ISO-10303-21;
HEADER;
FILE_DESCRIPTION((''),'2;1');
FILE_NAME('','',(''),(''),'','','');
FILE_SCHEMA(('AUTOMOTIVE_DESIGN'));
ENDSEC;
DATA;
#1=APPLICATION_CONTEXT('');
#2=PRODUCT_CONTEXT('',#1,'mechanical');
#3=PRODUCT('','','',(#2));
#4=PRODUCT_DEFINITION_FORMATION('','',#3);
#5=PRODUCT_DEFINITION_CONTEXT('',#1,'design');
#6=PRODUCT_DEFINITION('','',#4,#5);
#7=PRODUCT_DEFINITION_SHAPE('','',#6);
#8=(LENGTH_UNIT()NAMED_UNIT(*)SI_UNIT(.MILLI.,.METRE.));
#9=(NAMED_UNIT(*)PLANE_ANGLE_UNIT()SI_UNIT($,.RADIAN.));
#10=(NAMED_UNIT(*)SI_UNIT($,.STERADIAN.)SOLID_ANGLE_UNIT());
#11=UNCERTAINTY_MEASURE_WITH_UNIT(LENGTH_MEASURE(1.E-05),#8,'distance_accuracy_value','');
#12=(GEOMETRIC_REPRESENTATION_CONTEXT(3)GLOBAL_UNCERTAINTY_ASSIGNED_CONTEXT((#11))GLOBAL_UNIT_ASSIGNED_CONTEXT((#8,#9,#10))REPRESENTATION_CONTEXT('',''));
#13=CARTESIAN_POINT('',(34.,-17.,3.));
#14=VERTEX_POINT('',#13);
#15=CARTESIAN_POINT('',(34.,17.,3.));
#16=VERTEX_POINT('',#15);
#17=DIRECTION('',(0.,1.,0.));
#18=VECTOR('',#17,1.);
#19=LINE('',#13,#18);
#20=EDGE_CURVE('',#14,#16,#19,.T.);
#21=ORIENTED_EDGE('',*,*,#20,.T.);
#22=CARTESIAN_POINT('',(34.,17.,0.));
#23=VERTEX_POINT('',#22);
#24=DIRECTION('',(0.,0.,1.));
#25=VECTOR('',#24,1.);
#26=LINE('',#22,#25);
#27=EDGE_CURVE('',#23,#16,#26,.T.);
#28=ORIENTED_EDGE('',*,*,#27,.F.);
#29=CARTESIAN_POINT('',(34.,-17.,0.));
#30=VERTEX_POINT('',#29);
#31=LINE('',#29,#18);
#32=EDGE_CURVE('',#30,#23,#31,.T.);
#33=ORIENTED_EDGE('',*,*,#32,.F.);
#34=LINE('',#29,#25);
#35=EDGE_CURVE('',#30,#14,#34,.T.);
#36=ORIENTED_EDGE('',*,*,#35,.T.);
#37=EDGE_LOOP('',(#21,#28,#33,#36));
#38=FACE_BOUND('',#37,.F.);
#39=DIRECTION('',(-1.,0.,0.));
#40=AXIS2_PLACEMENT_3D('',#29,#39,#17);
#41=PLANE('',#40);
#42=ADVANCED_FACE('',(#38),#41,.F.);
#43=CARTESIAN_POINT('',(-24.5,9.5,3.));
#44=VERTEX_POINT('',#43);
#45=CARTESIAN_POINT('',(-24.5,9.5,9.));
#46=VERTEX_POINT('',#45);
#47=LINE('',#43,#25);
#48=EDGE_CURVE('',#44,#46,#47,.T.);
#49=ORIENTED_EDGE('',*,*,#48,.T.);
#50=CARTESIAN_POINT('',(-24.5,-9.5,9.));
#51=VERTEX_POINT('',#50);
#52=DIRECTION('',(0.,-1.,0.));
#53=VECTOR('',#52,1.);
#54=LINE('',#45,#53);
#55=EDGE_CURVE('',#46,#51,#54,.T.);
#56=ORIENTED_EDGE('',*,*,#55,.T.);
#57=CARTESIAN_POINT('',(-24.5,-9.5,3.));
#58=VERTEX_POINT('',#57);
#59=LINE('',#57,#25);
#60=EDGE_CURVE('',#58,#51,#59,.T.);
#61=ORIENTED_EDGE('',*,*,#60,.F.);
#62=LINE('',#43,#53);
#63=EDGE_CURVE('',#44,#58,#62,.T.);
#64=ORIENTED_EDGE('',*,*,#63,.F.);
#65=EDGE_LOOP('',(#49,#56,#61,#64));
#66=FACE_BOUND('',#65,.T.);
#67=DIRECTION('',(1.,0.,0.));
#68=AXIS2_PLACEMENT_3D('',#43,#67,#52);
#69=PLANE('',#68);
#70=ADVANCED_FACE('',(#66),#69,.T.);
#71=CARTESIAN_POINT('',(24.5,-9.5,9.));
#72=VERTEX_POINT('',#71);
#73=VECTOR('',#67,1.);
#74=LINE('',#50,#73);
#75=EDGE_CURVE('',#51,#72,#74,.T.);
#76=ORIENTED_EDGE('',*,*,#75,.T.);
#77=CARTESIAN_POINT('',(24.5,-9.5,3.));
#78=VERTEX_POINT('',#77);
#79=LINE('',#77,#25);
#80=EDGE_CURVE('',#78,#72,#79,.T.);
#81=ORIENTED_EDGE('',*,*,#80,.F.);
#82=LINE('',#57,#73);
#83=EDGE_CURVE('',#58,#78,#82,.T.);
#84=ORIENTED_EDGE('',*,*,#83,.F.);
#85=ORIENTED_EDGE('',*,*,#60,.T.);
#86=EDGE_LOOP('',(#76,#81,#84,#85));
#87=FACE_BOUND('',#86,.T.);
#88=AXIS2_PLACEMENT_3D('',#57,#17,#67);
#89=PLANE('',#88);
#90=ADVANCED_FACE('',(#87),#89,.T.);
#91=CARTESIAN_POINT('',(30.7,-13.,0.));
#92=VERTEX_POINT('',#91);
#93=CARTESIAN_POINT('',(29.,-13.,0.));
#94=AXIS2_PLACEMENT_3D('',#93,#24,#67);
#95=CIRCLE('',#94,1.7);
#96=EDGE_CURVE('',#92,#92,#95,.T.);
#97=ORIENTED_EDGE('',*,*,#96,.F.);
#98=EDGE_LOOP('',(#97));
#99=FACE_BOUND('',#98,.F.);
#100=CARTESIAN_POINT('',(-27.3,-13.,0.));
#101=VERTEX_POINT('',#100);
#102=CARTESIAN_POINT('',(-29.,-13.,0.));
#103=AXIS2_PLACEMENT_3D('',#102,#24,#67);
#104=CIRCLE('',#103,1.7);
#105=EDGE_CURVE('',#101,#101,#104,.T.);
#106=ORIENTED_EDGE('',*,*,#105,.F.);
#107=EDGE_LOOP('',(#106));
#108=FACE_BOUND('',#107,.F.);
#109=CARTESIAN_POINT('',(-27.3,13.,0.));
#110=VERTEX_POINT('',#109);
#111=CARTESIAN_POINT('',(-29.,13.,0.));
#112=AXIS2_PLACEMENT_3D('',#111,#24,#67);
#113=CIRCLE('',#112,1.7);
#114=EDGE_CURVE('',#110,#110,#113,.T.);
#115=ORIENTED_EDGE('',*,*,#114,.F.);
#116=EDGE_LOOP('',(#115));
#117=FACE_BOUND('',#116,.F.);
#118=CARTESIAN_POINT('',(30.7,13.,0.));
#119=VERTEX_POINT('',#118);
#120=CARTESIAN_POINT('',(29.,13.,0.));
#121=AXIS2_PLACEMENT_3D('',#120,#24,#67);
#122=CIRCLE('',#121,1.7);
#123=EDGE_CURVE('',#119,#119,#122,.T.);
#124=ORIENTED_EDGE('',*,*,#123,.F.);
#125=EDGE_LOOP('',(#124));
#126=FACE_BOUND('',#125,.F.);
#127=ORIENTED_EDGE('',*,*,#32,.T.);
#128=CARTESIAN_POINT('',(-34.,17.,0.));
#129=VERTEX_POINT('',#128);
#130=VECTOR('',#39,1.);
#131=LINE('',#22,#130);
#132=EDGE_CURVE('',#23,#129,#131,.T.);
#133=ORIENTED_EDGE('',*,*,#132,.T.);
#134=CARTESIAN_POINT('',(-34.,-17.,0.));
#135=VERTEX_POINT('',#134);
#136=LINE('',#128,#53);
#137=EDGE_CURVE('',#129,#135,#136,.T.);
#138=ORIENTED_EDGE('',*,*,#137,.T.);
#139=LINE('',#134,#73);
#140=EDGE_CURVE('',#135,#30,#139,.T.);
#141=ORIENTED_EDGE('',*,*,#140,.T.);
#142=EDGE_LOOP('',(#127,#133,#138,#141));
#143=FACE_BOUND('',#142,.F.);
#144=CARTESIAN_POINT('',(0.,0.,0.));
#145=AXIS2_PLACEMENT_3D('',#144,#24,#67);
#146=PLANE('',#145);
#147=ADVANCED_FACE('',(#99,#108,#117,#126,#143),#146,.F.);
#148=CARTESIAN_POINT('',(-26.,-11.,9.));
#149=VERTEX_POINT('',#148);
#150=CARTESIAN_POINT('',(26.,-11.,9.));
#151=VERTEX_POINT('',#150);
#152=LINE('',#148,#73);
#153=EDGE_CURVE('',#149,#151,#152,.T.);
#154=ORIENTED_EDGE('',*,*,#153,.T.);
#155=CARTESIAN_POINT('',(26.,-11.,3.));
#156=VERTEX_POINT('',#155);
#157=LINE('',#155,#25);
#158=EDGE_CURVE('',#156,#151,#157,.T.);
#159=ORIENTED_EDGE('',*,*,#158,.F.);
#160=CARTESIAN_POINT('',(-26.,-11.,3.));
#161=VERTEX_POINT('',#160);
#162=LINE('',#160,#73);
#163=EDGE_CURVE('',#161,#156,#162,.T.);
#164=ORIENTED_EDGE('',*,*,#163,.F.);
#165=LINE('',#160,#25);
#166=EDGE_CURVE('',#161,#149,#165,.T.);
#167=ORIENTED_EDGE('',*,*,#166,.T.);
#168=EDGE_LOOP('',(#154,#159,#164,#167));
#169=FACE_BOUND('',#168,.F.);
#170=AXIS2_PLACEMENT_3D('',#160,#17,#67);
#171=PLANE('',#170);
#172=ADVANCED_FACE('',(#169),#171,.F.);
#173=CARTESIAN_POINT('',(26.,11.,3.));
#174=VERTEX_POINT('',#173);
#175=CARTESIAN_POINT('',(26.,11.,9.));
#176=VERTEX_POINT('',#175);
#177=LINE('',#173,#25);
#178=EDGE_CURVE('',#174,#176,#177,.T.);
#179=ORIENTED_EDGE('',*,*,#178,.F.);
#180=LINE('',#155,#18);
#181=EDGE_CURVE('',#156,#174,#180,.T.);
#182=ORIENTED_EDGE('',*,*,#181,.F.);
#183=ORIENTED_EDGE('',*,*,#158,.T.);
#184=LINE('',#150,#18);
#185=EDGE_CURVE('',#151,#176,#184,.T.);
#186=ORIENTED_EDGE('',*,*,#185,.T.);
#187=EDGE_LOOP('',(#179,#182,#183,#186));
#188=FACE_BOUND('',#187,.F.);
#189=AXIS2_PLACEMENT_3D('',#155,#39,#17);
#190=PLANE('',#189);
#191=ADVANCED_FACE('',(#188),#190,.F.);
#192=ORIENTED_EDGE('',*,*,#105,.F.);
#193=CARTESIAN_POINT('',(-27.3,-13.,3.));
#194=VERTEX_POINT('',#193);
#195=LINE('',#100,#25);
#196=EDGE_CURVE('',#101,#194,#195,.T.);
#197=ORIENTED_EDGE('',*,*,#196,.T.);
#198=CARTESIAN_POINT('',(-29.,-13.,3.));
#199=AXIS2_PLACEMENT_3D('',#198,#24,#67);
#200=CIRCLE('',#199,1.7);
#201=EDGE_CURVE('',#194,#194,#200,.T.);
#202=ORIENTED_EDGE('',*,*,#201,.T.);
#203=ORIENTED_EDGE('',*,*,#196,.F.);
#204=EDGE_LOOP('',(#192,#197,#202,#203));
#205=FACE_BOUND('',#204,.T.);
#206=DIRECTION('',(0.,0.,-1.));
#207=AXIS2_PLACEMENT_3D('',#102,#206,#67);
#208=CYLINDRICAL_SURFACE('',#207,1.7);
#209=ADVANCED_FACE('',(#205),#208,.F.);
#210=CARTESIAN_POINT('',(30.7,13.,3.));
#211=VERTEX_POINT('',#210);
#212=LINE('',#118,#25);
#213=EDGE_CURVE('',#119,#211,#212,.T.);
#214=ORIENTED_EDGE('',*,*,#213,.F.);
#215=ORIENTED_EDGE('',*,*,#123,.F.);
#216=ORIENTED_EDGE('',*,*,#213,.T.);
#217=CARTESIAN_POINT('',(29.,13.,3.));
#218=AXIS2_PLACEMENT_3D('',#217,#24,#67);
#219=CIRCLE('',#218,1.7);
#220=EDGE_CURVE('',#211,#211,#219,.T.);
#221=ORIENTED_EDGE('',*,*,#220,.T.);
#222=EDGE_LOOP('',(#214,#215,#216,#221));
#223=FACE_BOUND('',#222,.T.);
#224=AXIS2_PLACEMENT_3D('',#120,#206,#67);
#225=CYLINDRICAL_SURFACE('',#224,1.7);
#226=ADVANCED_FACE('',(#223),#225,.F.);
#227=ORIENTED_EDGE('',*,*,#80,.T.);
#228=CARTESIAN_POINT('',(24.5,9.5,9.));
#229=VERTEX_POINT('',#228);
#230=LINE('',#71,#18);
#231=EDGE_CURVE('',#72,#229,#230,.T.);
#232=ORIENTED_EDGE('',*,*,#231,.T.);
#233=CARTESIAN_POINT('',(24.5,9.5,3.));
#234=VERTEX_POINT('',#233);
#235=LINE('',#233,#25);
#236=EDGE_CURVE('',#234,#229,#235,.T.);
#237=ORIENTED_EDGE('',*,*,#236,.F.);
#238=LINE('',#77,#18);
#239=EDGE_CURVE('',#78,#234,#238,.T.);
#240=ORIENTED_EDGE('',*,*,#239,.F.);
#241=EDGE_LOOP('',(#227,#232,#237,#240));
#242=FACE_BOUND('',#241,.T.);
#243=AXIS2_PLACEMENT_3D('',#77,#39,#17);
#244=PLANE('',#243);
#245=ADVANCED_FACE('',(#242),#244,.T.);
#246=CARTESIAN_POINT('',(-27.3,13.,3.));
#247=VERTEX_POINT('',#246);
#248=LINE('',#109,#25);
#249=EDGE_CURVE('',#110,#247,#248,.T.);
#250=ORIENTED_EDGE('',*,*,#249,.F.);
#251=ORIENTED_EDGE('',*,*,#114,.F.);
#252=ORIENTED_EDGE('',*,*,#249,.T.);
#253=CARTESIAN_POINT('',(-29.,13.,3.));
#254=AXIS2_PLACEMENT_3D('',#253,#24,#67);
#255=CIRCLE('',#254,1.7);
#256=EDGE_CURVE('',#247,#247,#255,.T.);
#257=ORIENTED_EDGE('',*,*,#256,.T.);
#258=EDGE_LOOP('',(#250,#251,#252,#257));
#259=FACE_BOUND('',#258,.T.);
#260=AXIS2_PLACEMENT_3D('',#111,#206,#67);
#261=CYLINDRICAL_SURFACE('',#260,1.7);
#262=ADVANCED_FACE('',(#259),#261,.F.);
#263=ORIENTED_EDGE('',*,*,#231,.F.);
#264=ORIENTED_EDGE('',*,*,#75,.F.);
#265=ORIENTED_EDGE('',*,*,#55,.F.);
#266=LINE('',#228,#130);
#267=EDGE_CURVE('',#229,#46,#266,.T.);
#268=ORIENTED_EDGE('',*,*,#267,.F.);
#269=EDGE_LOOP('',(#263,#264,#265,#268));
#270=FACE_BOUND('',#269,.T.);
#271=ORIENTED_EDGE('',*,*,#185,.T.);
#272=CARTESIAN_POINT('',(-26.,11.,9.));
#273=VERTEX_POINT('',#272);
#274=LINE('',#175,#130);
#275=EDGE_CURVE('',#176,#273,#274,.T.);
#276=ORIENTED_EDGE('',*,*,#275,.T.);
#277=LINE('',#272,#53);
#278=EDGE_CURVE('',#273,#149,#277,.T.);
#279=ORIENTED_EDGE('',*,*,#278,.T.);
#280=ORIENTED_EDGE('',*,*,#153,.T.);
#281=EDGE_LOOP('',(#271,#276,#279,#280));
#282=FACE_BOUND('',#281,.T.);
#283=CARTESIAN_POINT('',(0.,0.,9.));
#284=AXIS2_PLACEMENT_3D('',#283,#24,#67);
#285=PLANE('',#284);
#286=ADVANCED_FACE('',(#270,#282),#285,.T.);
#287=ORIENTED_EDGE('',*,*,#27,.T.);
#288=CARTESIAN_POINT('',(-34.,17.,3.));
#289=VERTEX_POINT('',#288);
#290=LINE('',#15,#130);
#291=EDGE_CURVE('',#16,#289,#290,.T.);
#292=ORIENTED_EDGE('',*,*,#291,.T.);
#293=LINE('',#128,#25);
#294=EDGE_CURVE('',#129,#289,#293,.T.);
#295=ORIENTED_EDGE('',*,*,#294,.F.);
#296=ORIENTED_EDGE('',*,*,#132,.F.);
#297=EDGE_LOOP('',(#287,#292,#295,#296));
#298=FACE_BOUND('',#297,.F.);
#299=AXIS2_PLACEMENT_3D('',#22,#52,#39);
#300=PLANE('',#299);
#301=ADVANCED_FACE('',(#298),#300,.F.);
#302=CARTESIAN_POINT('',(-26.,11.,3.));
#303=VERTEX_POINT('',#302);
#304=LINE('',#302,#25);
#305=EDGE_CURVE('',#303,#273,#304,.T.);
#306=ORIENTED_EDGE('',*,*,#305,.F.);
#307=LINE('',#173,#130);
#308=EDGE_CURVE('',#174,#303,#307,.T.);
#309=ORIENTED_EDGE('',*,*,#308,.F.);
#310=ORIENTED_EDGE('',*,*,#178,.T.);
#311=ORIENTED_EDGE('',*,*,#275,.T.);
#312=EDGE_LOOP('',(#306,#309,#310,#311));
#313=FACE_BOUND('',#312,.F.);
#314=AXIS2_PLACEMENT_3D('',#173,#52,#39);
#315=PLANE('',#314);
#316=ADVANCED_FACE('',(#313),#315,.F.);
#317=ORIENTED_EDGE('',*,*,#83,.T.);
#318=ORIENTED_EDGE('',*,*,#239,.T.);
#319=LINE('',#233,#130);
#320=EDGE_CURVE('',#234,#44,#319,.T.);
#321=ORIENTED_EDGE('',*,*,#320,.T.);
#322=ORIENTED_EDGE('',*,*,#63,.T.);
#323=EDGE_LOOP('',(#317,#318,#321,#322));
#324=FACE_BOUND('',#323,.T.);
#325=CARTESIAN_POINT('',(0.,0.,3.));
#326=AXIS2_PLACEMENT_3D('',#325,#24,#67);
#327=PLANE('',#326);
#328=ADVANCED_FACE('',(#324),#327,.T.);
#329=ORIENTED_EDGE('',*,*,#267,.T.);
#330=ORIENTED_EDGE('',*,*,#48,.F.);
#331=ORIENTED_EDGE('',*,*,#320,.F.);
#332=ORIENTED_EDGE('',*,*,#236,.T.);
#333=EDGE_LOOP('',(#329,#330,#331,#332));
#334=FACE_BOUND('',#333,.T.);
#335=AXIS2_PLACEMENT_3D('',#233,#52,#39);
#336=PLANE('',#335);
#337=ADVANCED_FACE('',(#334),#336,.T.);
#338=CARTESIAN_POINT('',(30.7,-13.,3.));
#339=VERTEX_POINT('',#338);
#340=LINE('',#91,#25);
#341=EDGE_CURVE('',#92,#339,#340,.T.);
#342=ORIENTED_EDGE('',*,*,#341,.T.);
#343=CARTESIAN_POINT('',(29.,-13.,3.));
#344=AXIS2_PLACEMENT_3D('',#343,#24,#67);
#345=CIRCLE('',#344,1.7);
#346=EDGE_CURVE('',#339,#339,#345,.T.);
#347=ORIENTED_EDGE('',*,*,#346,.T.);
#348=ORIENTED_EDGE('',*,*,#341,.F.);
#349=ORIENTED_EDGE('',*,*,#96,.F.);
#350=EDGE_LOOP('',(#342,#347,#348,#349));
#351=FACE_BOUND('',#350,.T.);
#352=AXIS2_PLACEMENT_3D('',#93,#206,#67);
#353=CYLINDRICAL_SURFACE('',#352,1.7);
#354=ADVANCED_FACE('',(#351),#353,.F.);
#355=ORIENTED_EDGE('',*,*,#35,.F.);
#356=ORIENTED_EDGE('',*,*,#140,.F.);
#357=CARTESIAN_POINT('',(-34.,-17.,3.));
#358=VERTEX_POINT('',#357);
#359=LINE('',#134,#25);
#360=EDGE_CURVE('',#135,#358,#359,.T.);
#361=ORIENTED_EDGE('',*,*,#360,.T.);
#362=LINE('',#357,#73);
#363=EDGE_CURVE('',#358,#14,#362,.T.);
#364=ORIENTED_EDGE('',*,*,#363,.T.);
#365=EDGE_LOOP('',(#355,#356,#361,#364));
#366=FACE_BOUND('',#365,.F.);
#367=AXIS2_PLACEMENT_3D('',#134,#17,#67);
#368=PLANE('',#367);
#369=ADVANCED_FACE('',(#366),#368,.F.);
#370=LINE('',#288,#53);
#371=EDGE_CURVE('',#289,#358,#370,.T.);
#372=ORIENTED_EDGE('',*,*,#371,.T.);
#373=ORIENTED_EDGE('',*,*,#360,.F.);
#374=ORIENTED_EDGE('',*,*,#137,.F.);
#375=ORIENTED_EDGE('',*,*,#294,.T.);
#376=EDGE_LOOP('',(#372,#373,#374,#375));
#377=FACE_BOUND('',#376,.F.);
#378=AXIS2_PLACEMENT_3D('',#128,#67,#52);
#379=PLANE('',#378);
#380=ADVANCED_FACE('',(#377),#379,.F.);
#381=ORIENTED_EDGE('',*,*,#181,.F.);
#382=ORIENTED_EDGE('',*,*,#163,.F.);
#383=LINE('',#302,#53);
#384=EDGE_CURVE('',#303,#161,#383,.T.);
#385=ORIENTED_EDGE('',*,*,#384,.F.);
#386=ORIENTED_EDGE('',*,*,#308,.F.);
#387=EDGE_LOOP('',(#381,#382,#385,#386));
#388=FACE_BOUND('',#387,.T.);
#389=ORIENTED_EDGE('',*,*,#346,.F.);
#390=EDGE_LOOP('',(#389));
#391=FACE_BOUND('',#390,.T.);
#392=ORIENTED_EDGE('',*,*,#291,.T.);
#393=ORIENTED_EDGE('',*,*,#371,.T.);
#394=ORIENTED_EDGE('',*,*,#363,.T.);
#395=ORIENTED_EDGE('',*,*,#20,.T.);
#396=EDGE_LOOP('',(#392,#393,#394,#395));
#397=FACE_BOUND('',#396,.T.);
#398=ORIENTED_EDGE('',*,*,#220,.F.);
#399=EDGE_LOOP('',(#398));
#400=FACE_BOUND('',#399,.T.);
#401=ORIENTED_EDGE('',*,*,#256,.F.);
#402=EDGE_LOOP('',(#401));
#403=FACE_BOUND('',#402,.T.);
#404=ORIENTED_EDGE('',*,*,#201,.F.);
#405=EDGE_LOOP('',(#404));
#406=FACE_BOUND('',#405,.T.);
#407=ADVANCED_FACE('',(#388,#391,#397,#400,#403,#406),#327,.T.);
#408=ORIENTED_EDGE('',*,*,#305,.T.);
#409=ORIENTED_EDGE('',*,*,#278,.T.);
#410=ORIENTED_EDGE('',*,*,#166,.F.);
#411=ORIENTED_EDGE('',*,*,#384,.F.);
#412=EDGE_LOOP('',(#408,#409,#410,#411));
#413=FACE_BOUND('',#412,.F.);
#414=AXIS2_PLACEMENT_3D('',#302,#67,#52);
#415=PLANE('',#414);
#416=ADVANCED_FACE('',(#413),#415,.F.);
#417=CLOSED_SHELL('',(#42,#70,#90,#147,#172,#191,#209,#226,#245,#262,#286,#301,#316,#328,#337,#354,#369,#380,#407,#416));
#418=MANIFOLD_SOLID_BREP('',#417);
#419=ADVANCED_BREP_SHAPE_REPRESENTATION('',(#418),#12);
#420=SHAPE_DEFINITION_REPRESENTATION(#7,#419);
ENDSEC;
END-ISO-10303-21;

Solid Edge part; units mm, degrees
sketch "Sketch1" plane through (0, 0, 0) normal (0, 0, 1) x (1, 0, 0)
  line L0 (-34, -17) -> (34, -17)
  line L1 (34, -17) -> (34, 17)
  line L2 (34, 17) -> (-34, 17)
  line L3 (-34, 17) -> (-34, -17)
  circle A0 centre (-29, -13) radius 1.7
  circle A1 centre (-29, 13) radius 1.7
  circle A2 centre (29, -13) radius 1.7
  circle A3 centre (29, 13) radius 1.7
extrude "Protrusion1" add sketch "Sketch1" along normal blind 3
sketch "Sketch2" plane through (0, 0, 3) normal (0, 0, 1) x (1, 0, 0)
  line L0 (-26, -11) -> (26, -11)
  line L1 (26, -11) -> (26, 11)
  line L2 (26, 11) -> (-26, 11)
  line L3 (-26, 11) -> (-26, -11)
  line L4 (-24.5, -9.5) -> (24.5, -9.5)
  line L5 (24.5, -9.5) -> (24.5, 9.5)
  line L6 (24.5, 9.5) -> (-24.5, 9.5)
  line L7 (-24.5, 9.5) -> (-24.5, -9.5)
extrude "ExtrudedProtrusion_2" add sketch "Sketch2" along normal blind 6
